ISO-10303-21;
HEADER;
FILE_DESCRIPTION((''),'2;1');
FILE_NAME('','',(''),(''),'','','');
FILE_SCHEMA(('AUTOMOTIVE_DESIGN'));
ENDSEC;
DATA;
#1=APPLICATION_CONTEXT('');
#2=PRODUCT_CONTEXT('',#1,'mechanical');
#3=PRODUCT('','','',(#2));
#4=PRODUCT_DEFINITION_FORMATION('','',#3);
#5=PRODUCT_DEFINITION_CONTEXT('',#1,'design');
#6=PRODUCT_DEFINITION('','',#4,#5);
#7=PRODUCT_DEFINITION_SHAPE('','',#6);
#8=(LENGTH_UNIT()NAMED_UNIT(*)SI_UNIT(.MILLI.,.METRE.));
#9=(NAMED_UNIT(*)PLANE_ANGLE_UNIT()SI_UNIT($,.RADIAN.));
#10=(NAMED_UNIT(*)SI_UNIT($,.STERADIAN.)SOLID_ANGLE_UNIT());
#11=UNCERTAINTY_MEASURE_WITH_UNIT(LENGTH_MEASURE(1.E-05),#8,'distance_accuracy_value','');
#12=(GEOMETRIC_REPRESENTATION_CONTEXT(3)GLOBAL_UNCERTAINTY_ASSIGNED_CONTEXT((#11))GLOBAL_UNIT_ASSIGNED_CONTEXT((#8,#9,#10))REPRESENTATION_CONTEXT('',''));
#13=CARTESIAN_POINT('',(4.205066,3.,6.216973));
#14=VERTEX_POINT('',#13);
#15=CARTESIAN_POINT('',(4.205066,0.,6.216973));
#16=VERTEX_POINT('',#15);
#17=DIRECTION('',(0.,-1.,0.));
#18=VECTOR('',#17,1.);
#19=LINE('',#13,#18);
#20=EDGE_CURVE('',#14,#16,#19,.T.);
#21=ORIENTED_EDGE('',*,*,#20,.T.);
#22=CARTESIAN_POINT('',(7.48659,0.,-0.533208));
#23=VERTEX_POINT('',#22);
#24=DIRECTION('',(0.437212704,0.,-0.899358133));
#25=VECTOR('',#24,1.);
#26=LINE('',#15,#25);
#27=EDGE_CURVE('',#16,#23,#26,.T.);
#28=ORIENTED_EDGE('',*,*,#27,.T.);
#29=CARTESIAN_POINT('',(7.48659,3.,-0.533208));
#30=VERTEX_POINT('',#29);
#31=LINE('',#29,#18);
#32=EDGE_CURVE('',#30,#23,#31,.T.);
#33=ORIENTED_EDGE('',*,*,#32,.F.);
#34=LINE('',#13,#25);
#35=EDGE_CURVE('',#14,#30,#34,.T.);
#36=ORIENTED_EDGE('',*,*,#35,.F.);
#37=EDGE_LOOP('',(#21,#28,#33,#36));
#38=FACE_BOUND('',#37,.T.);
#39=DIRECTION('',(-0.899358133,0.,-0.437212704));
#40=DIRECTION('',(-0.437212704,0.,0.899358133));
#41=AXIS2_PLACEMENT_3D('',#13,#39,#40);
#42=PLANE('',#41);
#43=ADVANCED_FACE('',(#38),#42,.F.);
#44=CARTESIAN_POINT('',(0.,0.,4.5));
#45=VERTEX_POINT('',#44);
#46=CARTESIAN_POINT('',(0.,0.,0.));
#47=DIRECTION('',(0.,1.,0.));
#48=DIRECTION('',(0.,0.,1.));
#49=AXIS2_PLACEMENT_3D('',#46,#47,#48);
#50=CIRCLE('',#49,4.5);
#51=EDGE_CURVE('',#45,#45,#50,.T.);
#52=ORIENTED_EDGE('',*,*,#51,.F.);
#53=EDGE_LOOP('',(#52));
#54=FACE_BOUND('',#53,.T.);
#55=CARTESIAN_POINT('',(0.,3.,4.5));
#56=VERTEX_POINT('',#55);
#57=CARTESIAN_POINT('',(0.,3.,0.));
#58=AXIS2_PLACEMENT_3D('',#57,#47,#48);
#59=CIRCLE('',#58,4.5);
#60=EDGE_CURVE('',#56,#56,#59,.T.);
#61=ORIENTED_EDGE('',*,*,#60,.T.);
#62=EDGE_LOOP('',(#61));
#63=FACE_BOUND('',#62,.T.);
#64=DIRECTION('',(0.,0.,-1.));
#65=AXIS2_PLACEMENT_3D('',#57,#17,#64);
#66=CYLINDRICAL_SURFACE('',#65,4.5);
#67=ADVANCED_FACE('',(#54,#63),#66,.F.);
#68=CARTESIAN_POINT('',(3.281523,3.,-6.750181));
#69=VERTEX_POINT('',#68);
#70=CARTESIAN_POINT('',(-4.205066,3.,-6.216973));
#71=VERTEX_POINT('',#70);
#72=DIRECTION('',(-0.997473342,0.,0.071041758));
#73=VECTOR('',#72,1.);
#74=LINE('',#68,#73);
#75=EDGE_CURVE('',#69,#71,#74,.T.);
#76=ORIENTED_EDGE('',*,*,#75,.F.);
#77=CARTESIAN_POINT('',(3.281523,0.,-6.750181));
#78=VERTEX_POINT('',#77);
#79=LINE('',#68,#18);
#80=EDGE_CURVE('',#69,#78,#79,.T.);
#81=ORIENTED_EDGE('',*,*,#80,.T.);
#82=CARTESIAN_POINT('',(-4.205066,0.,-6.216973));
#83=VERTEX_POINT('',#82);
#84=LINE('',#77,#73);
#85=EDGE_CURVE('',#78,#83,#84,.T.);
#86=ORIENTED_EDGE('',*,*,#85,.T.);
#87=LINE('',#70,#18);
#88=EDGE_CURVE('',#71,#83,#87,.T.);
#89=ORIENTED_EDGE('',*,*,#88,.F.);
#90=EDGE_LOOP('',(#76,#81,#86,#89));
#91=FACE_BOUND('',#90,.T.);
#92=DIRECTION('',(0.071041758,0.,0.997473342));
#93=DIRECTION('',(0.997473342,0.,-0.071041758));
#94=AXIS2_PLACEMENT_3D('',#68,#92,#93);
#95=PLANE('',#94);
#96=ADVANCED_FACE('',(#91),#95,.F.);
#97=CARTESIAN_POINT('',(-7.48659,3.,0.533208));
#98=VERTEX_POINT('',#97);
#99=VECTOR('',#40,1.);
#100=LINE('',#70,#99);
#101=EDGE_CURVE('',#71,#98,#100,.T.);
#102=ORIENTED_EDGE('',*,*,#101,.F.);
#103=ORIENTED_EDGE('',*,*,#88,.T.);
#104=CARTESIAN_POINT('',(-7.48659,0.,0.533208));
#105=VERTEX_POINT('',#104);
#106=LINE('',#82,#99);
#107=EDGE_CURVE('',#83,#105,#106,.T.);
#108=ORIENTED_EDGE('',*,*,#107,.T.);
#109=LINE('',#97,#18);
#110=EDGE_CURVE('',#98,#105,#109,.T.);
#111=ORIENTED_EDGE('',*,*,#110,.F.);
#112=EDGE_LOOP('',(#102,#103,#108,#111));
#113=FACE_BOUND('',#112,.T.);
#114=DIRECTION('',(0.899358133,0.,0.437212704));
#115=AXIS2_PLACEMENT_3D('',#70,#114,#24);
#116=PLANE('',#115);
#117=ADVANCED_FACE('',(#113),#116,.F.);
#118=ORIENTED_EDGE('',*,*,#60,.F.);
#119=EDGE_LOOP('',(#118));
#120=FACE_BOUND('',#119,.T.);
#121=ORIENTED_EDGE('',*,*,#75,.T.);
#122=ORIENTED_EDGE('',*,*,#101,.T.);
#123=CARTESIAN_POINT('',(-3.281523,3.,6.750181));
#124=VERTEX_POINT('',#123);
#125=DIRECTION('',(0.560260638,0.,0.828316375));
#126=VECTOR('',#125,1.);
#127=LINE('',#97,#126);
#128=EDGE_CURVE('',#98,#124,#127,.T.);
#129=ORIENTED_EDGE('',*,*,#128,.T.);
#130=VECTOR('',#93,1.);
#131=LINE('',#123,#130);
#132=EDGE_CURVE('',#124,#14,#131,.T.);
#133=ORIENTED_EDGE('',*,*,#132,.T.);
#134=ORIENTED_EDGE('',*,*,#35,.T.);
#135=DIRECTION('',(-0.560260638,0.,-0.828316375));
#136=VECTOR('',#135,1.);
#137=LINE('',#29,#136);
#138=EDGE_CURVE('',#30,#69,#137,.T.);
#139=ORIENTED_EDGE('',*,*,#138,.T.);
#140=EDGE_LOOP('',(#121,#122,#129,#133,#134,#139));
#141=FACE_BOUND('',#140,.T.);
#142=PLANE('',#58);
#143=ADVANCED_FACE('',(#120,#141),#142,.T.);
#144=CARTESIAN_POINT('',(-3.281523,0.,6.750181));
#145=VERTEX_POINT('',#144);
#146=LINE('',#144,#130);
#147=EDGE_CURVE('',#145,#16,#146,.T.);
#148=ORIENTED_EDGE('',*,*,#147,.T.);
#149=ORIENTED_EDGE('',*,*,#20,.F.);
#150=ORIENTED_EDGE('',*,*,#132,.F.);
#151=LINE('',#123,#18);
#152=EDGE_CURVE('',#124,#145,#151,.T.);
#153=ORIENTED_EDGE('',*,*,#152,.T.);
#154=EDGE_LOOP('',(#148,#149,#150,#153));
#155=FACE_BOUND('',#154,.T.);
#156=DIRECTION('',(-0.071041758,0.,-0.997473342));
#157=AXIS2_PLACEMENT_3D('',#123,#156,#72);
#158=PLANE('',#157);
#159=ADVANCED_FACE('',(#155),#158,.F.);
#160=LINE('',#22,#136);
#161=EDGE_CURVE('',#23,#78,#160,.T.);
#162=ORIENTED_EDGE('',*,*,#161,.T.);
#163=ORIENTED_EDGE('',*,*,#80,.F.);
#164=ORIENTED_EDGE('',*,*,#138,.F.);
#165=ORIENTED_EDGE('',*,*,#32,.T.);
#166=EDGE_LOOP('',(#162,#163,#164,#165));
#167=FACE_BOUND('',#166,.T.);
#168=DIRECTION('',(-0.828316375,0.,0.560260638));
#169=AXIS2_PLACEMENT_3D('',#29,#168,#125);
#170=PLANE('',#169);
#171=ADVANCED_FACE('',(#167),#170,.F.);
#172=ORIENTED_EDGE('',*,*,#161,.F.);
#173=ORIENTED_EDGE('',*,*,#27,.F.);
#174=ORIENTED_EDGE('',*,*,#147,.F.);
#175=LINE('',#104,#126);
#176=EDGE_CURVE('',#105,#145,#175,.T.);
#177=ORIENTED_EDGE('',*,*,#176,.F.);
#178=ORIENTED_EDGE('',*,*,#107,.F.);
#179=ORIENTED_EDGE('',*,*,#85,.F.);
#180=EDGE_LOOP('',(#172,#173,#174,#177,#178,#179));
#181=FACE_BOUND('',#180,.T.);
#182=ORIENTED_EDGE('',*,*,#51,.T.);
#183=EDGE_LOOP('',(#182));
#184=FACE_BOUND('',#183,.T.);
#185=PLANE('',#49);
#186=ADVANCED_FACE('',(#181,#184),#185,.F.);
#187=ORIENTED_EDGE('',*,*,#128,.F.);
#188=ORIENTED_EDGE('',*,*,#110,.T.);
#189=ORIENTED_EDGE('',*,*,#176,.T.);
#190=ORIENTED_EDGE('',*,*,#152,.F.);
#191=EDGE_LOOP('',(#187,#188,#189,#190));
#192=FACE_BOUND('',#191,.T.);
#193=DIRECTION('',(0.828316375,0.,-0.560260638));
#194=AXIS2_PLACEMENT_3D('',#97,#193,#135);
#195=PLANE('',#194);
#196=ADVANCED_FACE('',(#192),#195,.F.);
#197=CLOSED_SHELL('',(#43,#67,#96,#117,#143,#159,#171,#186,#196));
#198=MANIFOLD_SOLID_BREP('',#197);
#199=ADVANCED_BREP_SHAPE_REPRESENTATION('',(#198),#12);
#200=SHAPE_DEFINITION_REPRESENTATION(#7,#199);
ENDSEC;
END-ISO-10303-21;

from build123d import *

# Parameters (mm, degrees)
SKETCH_1_R      = 4.5
EXTRUDE_1_DEPTH = 3


with BuildPart() as part:
    # 草图1 → 凸台-拉伸1 (new body)
    with BuildSketch(Plane(origin=(0, 0, 0), x_dir=(1, 0, 0), z_dir=(0, 1, 0))):
        Polygon((4.205066196, -6.216972867), (7.486589535, 0.533207717), (3.281523339, 6.750180583), (-4.205066196, 6.216972867), (-7.486589535, -0.533207717), (-3.281523339, -6.750180583), align=None)
        with Locations(Location((0, 0, 0), (0, 0, 270))):
            Circle(SKETCH_1_R, mode=Mode.SUBTRACT)
    extrude(amount=EXTRUDE_1_DEPTH)


solid = part.part
